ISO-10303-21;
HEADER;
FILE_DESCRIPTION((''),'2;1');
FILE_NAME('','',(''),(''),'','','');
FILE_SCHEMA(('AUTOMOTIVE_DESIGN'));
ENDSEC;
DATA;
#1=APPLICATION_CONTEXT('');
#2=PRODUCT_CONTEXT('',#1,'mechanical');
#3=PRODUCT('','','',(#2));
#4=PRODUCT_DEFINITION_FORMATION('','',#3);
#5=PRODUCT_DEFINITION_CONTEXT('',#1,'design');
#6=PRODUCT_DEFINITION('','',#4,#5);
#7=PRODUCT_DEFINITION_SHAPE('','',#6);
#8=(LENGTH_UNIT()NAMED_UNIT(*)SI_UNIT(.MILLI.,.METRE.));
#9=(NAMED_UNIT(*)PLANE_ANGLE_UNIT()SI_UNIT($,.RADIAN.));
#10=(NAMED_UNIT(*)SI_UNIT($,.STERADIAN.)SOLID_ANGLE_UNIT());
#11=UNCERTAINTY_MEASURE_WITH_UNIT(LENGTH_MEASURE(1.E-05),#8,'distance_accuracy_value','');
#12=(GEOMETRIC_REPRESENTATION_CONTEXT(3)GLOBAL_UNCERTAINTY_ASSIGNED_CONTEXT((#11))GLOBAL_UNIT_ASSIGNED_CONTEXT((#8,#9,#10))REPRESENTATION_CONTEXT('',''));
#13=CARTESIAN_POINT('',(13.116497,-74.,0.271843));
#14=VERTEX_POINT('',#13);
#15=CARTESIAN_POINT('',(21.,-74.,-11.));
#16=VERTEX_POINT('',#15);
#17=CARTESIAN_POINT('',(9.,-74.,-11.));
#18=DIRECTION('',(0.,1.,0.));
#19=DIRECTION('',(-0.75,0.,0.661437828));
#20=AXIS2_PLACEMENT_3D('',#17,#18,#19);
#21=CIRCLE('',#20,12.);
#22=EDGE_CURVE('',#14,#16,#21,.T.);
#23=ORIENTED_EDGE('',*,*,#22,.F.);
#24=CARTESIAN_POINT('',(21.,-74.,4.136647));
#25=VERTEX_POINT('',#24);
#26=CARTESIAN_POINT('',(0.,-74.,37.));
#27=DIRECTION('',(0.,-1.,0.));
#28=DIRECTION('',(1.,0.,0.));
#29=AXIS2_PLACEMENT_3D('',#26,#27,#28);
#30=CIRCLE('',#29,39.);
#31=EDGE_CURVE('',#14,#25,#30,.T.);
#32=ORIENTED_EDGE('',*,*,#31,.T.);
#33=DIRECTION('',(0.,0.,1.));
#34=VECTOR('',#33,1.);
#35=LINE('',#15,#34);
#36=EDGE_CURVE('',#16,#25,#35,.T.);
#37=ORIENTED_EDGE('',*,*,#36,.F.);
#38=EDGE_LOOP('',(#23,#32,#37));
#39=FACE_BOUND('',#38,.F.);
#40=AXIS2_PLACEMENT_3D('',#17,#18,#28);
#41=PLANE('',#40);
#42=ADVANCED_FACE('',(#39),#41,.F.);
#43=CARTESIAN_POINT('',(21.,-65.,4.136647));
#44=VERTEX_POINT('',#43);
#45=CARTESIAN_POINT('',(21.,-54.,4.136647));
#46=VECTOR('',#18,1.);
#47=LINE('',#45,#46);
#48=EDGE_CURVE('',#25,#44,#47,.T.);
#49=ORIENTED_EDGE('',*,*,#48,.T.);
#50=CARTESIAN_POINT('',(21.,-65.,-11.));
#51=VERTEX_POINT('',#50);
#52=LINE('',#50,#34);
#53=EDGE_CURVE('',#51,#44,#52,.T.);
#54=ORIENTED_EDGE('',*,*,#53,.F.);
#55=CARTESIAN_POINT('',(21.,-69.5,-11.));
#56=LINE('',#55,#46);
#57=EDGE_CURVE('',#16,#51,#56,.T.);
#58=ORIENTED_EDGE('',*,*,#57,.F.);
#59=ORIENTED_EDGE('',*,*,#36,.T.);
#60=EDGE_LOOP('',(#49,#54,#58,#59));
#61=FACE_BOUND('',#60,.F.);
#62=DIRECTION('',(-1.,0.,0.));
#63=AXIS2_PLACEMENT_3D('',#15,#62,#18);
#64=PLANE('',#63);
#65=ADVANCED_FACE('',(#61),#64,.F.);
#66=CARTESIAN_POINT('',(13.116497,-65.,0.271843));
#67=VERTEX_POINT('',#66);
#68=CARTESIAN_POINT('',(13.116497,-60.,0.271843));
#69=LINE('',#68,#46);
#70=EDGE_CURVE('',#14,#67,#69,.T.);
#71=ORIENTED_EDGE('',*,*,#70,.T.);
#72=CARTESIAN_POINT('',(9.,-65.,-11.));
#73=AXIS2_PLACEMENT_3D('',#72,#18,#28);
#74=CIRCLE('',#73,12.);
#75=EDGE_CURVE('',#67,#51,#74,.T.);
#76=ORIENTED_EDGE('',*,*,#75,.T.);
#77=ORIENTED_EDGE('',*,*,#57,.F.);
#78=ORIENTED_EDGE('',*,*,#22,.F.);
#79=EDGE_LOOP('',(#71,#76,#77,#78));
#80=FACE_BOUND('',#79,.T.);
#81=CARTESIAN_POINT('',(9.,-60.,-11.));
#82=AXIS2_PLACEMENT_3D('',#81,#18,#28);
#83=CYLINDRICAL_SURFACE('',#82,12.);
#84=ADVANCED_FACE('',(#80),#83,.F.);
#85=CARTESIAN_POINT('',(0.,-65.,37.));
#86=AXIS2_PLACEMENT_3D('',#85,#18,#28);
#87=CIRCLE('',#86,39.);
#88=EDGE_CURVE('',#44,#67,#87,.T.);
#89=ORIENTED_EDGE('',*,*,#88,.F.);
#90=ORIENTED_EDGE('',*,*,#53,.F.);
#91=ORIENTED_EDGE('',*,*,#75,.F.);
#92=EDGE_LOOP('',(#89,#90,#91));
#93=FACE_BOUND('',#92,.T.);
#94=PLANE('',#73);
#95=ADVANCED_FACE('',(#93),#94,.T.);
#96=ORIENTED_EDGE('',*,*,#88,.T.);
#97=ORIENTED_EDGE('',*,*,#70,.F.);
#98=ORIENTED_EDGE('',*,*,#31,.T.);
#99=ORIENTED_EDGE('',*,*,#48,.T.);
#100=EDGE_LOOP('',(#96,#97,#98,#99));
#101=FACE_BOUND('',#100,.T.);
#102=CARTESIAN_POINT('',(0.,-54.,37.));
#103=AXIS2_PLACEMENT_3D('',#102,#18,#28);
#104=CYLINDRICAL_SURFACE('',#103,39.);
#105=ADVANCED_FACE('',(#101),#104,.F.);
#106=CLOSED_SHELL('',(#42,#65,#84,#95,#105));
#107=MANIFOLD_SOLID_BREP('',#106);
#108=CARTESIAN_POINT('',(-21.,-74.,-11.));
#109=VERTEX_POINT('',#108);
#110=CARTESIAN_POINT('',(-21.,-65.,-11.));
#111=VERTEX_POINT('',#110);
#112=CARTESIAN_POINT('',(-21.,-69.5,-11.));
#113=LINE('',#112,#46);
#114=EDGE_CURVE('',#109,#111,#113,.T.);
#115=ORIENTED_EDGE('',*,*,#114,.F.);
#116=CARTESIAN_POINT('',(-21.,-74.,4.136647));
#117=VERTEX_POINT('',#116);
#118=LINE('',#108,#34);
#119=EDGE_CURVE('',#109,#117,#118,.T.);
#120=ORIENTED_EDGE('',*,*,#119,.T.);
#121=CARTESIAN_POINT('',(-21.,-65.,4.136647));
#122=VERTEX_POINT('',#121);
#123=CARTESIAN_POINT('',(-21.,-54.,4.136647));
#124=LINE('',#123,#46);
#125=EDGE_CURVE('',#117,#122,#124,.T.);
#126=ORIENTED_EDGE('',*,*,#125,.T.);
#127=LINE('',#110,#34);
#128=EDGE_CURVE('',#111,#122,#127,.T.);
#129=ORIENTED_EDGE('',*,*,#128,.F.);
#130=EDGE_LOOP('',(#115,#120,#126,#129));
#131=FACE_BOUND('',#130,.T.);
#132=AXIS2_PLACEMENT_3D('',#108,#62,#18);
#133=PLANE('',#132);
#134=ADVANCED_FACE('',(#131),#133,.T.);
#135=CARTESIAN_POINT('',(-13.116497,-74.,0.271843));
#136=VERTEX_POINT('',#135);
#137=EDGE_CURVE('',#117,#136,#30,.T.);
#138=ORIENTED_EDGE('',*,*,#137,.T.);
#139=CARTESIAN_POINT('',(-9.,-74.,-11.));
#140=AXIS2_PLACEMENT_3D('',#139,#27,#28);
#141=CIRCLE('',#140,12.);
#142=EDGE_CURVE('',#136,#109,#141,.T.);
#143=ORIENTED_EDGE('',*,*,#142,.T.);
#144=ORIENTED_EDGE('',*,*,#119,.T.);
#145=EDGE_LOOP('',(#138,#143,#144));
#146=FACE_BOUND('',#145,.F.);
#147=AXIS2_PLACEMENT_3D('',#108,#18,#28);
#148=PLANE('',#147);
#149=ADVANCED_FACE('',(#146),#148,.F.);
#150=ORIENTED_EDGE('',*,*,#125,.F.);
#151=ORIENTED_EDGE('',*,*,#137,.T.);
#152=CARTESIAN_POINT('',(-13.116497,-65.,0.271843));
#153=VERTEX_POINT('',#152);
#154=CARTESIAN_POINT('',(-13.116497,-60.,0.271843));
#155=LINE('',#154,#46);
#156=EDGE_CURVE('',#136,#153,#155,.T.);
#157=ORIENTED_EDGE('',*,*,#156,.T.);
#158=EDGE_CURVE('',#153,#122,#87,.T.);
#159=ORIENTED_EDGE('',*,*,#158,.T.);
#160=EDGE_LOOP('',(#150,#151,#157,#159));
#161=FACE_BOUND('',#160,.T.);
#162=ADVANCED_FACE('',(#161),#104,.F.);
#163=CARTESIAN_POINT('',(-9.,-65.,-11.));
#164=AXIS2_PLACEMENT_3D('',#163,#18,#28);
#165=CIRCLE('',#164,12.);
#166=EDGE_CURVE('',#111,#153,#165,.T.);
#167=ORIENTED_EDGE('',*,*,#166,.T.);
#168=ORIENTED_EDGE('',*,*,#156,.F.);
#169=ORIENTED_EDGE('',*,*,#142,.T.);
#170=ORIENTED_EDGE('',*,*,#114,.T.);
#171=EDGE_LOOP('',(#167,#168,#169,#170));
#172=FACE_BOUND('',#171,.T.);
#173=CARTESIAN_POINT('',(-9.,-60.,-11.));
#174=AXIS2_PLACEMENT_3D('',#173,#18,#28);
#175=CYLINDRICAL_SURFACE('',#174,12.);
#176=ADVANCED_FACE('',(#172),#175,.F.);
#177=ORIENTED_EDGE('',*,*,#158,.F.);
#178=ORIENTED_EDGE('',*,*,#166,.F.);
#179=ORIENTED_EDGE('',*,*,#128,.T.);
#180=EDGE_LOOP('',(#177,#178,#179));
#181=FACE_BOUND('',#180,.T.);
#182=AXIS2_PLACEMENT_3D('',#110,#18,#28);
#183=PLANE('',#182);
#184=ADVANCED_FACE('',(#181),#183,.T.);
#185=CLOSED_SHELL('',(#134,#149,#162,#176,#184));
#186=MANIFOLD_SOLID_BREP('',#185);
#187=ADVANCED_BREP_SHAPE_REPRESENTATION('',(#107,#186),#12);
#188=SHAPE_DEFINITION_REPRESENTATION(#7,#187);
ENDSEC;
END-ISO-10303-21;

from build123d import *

# Parameters (mm, degrees)
CYLINDER2689_R     = 39
CYLINDER2689_DEPTH = 20
CYLINDER2688_R     = 12
CYLINDER2688_DEPTH = 14
CYLINDER2687_R     = 12
CYLINDER2687_DEPTH = 14
BOX920_W           = 12
BOX920_H           = 9
BOX920_DEPTH       = 16
BOX919_W           = 12
BOX919_H           = 9
BOX919_DEPTH       = 16


with BuildPart() as v_lec2659:
    # Cylinder2689 → Cylinder2689 (new body)
    with BuildSketch(Plane(origin=(0, -54, 37), x_dir=(1, 0, 0), z_dir=(0, -1, 0))):
        Circle(CYLINDER2689_R)
    extrude(amount=CYLINDER2689_DEPTH)


with BuildPart() as v_lec2658:
    # Cylinder2688 → Cylinder2688 (new body)
    with BuildSketch(Plane(origin=(-9, -60, -11), x_dir=(1, 0, 0), z_dir=(0, -1, 0))):
        Circle(CYLINDER2688_R)
    extrude(amount=CYLINDER2688_DEPTH)


with BuildPart() as compound1197:
    # Cylinder2687 → Cylinder2687 (new body)
    with BuildSketch(Plane(origin=(9, -60, -11), x_dir=(1, 0, 0), z_dir=(0, -1, 0))):
        Circle(CYLINDER2687_R)
    extrude(amount=CYLINDER2687_DEPTH)

    # Compound1197: union Válec2658
    add(v_lec2658.part)


with BuildPart() as krychle919:
    # Box920 → Box920 (new body)
    with BuildSketch(Plane(origin=(-21, -74, -11), x_dir=(1, 0, 0), z_dir=(0, 0, 1))):
        with Locations((6, 4.5)):
            Rectangle(BOX920_W, BOX920_H)
    extrude(amount=BOX920_DEPTH)


with BuildPart() as cut1009:
    # Box919 → Box919 (new body)
    with BuildSketch(Plane(origin=(9, -74, -11), x_dir=(1, 0, 0), z_dir=(0, 0, 1))):
        with Locations((6, 4.5)):
            Rectangle(BOX919_W, BOX919_H)
    extrude(amount=BOX919_DEPTH)

    # Compound1196: union Krychle919
    add(krychle919.part)

    # Cut1008: cut Compound1197
    add(compound1197.part, mode=Mode.SUBTRACT)

    # Cut1009: cut Válec2659
    add(v_lec2659.part, mode=Mode.SUBTRACT)


solid = cut1009.part
